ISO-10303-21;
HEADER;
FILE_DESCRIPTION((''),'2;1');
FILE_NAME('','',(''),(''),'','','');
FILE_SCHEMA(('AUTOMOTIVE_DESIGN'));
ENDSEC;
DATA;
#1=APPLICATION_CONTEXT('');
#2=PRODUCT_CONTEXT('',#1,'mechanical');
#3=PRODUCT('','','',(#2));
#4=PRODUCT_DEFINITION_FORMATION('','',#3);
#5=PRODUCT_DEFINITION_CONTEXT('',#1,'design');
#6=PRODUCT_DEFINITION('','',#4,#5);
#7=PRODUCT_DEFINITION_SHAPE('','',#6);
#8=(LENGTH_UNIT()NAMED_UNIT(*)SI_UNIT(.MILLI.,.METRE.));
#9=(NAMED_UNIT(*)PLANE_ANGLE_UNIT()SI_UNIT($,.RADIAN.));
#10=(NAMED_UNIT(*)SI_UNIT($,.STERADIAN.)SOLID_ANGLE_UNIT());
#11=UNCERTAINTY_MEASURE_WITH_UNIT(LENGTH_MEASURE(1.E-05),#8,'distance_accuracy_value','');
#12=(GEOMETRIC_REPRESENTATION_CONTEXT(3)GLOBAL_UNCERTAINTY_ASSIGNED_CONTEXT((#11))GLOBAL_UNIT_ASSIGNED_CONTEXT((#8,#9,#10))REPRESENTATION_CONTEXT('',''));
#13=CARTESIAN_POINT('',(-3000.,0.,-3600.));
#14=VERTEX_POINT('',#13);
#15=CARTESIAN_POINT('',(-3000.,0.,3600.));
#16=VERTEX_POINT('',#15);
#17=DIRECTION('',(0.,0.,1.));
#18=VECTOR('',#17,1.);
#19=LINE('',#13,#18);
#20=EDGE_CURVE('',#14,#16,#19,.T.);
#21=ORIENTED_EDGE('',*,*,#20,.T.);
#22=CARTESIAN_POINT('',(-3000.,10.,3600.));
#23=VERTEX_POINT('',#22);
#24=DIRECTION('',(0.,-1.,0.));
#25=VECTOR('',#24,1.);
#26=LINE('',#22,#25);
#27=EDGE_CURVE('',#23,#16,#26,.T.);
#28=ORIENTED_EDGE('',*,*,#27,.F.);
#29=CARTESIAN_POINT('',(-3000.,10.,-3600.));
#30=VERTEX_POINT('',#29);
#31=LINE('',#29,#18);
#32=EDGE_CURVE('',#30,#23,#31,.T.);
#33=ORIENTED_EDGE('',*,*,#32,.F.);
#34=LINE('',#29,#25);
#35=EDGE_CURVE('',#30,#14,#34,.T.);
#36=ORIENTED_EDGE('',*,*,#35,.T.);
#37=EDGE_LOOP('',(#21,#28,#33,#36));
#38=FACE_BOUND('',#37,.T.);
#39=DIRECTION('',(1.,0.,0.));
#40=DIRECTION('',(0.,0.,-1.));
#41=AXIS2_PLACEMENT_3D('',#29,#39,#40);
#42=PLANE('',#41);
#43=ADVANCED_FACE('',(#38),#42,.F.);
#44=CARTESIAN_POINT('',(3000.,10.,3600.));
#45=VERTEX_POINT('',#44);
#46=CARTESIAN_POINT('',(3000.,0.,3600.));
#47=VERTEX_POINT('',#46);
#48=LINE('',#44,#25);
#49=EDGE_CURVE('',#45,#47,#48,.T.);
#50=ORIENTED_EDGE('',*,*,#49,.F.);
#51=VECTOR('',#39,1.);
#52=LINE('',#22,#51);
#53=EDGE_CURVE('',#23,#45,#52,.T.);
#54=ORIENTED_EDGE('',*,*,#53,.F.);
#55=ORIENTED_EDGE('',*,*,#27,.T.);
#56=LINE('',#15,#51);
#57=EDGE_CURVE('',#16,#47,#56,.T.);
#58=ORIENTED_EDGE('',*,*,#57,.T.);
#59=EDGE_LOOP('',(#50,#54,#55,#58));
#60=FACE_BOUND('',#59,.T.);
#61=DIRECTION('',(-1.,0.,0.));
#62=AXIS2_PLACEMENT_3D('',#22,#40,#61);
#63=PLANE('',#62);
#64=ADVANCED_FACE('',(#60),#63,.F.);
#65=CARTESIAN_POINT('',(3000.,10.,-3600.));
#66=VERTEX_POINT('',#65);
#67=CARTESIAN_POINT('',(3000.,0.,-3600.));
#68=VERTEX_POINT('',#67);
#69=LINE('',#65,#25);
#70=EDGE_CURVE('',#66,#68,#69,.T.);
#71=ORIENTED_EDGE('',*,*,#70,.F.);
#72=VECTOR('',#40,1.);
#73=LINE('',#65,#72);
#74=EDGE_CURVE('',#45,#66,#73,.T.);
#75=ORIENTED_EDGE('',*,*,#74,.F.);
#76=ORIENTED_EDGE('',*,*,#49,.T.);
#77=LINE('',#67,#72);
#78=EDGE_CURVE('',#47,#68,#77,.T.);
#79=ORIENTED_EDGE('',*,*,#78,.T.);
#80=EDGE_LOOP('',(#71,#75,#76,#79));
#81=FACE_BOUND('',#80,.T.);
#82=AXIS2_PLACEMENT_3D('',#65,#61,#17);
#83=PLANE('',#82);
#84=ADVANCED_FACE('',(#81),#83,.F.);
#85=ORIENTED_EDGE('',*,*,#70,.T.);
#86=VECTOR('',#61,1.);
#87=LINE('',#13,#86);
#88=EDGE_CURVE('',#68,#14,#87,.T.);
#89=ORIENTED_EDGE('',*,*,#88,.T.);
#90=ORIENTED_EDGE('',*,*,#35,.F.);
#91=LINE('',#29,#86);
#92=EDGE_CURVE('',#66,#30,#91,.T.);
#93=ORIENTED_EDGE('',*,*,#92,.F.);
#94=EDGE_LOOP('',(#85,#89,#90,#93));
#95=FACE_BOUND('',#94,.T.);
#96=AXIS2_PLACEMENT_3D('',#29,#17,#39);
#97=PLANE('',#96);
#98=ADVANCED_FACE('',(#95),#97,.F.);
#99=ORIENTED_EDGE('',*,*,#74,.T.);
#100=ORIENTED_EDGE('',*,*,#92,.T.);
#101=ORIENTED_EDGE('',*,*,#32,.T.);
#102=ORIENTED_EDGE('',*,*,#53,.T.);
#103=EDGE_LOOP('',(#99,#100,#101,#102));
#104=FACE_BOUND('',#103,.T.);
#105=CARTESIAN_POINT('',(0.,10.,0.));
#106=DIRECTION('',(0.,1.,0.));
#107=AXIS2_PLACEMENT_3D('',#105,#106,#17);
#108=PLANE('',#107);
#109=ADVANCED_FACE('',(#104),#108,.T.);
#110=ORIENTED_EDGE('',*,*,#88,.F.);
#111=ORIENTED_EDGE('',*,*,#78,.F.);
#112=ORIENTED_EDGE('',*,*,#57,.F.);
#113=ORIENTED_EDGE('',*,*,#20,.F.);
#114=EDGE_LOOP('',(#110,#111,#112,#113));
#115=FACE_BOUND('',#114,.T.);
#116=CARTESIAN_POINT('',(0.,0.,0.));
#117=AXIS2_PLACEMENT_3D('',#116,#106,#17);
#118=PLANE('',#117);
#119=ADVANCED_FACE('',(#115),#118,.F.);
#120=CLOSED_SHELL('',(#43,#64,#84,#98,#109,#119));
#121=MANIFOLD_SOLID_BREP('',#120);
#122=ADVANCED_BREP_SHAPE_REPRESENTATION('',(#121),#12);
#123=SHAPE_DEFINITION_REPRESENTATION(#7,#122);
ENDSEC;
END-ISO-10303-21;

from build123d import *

# Parameters (mm, degrees)
ESQUISSE1_W        = 6000
ESQUISSE1_H        = 7200
BOSS_EXTRU_1_DEPTH = 10


with BuildPart() as part:
    # Esquisse1 → Boss.-Extru.1 (new body)
    with BuildSketch(Plane(origin=(0, 0, 0), x_dir=(1, 0, 0), z_dir=(0, 1, 0))):
        Rectangle(ESQUISSE1_W, ESQUISSE1_H)
    extrude(amount=BOSS_EXTRU_1_DEPTH)


solid = part.part
